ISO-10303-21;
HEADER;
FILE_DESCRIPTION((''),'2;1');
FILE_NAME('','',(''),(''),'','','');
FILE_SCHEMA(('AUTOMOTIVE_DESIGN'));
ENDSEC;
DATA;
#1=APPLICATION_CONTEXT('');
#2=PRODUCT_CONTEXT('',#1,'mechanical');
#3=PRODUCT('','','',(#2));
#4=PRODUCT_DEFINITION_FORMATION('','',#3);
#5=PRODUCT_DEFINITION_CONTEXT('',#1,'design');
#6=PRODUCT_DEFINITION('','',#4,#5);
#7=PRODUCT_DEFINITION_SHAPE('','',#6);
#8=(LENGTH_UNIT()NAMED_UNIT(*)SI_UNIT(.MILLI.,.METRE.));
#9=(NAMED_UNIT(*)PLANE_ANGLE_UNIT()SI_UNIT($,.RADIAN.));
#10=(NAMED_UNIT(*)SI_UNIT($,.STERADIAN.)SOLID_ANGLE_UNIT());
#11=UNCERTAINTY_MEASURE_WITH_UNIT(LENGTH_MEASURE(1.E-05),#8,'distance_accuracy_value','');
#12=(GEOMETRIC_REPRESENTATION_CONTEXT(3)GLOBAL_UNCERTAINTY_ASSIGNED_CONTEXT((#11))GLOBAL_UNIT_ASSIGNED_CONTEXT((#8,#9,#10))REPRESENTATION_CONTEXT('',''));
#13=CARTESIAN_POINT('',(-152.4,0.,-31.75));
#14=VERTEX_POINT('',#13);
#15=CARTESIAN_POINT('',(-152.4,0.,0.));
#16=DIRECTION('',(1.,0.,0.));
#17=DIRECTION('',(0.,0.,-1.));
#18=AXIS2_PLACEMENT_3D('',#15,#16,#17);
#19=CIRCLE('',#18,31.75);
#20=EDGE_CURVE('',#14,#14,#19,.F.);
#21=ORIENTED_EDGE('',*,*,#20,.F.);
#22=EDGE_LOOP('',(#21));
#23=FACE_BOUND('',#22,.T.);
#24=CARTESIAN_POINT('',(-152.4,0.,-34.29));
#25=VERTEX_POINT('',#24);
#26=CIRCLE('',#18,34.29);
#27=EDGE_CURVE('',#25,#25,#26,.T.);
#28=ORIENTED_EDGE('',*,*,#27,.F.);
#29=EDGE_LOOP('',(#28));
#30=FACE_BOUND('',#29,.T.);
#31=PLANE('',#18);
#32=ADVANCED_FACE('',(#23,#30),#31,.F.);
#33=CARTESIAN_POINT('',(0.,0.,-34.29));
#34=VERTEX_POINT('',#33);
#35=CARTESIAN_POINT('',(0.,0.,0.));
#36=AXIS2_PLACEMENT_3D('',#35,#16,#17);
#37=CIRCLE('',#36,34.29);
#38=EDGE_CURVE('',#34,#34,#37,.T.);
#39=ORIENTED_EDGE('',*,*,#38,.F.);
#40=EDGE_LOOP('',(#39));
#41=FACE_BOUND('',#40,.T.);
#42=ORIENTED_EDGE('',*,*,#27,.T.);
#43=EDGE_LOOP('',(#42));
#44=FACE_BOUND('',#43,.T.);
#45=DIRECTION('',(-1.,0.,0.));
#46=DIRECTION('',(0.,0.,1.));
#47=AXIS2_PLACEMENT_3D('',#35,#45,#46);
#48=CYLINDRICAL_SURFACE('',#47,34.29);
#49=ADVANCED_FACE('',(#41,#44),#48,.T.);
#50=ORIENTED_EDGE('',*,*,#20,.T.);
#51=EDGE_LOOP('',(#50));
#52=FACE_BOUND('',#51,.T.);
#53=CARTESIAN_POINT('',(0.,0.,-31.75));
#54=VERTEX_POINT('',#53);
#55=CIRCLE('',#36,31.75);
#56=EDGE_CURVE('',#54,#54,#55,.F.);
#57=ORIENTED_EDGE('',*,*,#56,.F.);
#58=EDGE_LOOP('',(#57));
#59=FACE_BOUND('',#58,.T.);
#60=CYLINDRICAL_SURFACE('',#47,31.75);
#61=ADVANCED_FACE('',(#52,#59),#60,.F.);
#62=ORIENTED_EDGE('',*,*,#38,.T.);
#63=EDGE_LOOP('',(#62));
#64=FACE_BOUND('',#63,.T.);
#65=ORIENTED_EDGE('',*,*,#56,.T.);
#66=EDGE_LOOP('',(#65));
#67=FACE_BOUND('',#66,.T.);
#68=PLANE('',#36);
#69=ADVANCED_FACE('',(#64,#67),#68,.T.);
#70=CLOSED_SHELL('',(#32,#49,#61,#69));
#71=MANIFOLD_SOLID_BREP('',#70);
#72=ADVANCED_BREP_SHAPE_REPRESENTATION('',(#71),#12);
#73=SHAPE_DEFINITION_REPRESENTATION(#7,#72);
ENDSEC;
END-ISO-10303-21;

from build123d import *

# Parameters (mm, degrees)
SKETCH1_R   = 34.29
SKETCH1_R_2 = 31.75


with BuildPart() as part:
    # Sweep1: sweep along a curve in space
    with BuildLine() as sweep1_path:
        Line((0, 0, 0), (-152.4, 0, 0))
    # Sketch1 → Sweep1 (sweep)
    with BuildSketch(Plane(origin=(0, 0, 0), x_dir=(0, 0, -1), z_dir=(1, 0, 0))):
        Circle(SKETCH1_R)
        Circle(SKETCH1_R_2, mode=Mode.SUBTRACT)
    sweep(path=sweep1_path.line)


solid = part.part
